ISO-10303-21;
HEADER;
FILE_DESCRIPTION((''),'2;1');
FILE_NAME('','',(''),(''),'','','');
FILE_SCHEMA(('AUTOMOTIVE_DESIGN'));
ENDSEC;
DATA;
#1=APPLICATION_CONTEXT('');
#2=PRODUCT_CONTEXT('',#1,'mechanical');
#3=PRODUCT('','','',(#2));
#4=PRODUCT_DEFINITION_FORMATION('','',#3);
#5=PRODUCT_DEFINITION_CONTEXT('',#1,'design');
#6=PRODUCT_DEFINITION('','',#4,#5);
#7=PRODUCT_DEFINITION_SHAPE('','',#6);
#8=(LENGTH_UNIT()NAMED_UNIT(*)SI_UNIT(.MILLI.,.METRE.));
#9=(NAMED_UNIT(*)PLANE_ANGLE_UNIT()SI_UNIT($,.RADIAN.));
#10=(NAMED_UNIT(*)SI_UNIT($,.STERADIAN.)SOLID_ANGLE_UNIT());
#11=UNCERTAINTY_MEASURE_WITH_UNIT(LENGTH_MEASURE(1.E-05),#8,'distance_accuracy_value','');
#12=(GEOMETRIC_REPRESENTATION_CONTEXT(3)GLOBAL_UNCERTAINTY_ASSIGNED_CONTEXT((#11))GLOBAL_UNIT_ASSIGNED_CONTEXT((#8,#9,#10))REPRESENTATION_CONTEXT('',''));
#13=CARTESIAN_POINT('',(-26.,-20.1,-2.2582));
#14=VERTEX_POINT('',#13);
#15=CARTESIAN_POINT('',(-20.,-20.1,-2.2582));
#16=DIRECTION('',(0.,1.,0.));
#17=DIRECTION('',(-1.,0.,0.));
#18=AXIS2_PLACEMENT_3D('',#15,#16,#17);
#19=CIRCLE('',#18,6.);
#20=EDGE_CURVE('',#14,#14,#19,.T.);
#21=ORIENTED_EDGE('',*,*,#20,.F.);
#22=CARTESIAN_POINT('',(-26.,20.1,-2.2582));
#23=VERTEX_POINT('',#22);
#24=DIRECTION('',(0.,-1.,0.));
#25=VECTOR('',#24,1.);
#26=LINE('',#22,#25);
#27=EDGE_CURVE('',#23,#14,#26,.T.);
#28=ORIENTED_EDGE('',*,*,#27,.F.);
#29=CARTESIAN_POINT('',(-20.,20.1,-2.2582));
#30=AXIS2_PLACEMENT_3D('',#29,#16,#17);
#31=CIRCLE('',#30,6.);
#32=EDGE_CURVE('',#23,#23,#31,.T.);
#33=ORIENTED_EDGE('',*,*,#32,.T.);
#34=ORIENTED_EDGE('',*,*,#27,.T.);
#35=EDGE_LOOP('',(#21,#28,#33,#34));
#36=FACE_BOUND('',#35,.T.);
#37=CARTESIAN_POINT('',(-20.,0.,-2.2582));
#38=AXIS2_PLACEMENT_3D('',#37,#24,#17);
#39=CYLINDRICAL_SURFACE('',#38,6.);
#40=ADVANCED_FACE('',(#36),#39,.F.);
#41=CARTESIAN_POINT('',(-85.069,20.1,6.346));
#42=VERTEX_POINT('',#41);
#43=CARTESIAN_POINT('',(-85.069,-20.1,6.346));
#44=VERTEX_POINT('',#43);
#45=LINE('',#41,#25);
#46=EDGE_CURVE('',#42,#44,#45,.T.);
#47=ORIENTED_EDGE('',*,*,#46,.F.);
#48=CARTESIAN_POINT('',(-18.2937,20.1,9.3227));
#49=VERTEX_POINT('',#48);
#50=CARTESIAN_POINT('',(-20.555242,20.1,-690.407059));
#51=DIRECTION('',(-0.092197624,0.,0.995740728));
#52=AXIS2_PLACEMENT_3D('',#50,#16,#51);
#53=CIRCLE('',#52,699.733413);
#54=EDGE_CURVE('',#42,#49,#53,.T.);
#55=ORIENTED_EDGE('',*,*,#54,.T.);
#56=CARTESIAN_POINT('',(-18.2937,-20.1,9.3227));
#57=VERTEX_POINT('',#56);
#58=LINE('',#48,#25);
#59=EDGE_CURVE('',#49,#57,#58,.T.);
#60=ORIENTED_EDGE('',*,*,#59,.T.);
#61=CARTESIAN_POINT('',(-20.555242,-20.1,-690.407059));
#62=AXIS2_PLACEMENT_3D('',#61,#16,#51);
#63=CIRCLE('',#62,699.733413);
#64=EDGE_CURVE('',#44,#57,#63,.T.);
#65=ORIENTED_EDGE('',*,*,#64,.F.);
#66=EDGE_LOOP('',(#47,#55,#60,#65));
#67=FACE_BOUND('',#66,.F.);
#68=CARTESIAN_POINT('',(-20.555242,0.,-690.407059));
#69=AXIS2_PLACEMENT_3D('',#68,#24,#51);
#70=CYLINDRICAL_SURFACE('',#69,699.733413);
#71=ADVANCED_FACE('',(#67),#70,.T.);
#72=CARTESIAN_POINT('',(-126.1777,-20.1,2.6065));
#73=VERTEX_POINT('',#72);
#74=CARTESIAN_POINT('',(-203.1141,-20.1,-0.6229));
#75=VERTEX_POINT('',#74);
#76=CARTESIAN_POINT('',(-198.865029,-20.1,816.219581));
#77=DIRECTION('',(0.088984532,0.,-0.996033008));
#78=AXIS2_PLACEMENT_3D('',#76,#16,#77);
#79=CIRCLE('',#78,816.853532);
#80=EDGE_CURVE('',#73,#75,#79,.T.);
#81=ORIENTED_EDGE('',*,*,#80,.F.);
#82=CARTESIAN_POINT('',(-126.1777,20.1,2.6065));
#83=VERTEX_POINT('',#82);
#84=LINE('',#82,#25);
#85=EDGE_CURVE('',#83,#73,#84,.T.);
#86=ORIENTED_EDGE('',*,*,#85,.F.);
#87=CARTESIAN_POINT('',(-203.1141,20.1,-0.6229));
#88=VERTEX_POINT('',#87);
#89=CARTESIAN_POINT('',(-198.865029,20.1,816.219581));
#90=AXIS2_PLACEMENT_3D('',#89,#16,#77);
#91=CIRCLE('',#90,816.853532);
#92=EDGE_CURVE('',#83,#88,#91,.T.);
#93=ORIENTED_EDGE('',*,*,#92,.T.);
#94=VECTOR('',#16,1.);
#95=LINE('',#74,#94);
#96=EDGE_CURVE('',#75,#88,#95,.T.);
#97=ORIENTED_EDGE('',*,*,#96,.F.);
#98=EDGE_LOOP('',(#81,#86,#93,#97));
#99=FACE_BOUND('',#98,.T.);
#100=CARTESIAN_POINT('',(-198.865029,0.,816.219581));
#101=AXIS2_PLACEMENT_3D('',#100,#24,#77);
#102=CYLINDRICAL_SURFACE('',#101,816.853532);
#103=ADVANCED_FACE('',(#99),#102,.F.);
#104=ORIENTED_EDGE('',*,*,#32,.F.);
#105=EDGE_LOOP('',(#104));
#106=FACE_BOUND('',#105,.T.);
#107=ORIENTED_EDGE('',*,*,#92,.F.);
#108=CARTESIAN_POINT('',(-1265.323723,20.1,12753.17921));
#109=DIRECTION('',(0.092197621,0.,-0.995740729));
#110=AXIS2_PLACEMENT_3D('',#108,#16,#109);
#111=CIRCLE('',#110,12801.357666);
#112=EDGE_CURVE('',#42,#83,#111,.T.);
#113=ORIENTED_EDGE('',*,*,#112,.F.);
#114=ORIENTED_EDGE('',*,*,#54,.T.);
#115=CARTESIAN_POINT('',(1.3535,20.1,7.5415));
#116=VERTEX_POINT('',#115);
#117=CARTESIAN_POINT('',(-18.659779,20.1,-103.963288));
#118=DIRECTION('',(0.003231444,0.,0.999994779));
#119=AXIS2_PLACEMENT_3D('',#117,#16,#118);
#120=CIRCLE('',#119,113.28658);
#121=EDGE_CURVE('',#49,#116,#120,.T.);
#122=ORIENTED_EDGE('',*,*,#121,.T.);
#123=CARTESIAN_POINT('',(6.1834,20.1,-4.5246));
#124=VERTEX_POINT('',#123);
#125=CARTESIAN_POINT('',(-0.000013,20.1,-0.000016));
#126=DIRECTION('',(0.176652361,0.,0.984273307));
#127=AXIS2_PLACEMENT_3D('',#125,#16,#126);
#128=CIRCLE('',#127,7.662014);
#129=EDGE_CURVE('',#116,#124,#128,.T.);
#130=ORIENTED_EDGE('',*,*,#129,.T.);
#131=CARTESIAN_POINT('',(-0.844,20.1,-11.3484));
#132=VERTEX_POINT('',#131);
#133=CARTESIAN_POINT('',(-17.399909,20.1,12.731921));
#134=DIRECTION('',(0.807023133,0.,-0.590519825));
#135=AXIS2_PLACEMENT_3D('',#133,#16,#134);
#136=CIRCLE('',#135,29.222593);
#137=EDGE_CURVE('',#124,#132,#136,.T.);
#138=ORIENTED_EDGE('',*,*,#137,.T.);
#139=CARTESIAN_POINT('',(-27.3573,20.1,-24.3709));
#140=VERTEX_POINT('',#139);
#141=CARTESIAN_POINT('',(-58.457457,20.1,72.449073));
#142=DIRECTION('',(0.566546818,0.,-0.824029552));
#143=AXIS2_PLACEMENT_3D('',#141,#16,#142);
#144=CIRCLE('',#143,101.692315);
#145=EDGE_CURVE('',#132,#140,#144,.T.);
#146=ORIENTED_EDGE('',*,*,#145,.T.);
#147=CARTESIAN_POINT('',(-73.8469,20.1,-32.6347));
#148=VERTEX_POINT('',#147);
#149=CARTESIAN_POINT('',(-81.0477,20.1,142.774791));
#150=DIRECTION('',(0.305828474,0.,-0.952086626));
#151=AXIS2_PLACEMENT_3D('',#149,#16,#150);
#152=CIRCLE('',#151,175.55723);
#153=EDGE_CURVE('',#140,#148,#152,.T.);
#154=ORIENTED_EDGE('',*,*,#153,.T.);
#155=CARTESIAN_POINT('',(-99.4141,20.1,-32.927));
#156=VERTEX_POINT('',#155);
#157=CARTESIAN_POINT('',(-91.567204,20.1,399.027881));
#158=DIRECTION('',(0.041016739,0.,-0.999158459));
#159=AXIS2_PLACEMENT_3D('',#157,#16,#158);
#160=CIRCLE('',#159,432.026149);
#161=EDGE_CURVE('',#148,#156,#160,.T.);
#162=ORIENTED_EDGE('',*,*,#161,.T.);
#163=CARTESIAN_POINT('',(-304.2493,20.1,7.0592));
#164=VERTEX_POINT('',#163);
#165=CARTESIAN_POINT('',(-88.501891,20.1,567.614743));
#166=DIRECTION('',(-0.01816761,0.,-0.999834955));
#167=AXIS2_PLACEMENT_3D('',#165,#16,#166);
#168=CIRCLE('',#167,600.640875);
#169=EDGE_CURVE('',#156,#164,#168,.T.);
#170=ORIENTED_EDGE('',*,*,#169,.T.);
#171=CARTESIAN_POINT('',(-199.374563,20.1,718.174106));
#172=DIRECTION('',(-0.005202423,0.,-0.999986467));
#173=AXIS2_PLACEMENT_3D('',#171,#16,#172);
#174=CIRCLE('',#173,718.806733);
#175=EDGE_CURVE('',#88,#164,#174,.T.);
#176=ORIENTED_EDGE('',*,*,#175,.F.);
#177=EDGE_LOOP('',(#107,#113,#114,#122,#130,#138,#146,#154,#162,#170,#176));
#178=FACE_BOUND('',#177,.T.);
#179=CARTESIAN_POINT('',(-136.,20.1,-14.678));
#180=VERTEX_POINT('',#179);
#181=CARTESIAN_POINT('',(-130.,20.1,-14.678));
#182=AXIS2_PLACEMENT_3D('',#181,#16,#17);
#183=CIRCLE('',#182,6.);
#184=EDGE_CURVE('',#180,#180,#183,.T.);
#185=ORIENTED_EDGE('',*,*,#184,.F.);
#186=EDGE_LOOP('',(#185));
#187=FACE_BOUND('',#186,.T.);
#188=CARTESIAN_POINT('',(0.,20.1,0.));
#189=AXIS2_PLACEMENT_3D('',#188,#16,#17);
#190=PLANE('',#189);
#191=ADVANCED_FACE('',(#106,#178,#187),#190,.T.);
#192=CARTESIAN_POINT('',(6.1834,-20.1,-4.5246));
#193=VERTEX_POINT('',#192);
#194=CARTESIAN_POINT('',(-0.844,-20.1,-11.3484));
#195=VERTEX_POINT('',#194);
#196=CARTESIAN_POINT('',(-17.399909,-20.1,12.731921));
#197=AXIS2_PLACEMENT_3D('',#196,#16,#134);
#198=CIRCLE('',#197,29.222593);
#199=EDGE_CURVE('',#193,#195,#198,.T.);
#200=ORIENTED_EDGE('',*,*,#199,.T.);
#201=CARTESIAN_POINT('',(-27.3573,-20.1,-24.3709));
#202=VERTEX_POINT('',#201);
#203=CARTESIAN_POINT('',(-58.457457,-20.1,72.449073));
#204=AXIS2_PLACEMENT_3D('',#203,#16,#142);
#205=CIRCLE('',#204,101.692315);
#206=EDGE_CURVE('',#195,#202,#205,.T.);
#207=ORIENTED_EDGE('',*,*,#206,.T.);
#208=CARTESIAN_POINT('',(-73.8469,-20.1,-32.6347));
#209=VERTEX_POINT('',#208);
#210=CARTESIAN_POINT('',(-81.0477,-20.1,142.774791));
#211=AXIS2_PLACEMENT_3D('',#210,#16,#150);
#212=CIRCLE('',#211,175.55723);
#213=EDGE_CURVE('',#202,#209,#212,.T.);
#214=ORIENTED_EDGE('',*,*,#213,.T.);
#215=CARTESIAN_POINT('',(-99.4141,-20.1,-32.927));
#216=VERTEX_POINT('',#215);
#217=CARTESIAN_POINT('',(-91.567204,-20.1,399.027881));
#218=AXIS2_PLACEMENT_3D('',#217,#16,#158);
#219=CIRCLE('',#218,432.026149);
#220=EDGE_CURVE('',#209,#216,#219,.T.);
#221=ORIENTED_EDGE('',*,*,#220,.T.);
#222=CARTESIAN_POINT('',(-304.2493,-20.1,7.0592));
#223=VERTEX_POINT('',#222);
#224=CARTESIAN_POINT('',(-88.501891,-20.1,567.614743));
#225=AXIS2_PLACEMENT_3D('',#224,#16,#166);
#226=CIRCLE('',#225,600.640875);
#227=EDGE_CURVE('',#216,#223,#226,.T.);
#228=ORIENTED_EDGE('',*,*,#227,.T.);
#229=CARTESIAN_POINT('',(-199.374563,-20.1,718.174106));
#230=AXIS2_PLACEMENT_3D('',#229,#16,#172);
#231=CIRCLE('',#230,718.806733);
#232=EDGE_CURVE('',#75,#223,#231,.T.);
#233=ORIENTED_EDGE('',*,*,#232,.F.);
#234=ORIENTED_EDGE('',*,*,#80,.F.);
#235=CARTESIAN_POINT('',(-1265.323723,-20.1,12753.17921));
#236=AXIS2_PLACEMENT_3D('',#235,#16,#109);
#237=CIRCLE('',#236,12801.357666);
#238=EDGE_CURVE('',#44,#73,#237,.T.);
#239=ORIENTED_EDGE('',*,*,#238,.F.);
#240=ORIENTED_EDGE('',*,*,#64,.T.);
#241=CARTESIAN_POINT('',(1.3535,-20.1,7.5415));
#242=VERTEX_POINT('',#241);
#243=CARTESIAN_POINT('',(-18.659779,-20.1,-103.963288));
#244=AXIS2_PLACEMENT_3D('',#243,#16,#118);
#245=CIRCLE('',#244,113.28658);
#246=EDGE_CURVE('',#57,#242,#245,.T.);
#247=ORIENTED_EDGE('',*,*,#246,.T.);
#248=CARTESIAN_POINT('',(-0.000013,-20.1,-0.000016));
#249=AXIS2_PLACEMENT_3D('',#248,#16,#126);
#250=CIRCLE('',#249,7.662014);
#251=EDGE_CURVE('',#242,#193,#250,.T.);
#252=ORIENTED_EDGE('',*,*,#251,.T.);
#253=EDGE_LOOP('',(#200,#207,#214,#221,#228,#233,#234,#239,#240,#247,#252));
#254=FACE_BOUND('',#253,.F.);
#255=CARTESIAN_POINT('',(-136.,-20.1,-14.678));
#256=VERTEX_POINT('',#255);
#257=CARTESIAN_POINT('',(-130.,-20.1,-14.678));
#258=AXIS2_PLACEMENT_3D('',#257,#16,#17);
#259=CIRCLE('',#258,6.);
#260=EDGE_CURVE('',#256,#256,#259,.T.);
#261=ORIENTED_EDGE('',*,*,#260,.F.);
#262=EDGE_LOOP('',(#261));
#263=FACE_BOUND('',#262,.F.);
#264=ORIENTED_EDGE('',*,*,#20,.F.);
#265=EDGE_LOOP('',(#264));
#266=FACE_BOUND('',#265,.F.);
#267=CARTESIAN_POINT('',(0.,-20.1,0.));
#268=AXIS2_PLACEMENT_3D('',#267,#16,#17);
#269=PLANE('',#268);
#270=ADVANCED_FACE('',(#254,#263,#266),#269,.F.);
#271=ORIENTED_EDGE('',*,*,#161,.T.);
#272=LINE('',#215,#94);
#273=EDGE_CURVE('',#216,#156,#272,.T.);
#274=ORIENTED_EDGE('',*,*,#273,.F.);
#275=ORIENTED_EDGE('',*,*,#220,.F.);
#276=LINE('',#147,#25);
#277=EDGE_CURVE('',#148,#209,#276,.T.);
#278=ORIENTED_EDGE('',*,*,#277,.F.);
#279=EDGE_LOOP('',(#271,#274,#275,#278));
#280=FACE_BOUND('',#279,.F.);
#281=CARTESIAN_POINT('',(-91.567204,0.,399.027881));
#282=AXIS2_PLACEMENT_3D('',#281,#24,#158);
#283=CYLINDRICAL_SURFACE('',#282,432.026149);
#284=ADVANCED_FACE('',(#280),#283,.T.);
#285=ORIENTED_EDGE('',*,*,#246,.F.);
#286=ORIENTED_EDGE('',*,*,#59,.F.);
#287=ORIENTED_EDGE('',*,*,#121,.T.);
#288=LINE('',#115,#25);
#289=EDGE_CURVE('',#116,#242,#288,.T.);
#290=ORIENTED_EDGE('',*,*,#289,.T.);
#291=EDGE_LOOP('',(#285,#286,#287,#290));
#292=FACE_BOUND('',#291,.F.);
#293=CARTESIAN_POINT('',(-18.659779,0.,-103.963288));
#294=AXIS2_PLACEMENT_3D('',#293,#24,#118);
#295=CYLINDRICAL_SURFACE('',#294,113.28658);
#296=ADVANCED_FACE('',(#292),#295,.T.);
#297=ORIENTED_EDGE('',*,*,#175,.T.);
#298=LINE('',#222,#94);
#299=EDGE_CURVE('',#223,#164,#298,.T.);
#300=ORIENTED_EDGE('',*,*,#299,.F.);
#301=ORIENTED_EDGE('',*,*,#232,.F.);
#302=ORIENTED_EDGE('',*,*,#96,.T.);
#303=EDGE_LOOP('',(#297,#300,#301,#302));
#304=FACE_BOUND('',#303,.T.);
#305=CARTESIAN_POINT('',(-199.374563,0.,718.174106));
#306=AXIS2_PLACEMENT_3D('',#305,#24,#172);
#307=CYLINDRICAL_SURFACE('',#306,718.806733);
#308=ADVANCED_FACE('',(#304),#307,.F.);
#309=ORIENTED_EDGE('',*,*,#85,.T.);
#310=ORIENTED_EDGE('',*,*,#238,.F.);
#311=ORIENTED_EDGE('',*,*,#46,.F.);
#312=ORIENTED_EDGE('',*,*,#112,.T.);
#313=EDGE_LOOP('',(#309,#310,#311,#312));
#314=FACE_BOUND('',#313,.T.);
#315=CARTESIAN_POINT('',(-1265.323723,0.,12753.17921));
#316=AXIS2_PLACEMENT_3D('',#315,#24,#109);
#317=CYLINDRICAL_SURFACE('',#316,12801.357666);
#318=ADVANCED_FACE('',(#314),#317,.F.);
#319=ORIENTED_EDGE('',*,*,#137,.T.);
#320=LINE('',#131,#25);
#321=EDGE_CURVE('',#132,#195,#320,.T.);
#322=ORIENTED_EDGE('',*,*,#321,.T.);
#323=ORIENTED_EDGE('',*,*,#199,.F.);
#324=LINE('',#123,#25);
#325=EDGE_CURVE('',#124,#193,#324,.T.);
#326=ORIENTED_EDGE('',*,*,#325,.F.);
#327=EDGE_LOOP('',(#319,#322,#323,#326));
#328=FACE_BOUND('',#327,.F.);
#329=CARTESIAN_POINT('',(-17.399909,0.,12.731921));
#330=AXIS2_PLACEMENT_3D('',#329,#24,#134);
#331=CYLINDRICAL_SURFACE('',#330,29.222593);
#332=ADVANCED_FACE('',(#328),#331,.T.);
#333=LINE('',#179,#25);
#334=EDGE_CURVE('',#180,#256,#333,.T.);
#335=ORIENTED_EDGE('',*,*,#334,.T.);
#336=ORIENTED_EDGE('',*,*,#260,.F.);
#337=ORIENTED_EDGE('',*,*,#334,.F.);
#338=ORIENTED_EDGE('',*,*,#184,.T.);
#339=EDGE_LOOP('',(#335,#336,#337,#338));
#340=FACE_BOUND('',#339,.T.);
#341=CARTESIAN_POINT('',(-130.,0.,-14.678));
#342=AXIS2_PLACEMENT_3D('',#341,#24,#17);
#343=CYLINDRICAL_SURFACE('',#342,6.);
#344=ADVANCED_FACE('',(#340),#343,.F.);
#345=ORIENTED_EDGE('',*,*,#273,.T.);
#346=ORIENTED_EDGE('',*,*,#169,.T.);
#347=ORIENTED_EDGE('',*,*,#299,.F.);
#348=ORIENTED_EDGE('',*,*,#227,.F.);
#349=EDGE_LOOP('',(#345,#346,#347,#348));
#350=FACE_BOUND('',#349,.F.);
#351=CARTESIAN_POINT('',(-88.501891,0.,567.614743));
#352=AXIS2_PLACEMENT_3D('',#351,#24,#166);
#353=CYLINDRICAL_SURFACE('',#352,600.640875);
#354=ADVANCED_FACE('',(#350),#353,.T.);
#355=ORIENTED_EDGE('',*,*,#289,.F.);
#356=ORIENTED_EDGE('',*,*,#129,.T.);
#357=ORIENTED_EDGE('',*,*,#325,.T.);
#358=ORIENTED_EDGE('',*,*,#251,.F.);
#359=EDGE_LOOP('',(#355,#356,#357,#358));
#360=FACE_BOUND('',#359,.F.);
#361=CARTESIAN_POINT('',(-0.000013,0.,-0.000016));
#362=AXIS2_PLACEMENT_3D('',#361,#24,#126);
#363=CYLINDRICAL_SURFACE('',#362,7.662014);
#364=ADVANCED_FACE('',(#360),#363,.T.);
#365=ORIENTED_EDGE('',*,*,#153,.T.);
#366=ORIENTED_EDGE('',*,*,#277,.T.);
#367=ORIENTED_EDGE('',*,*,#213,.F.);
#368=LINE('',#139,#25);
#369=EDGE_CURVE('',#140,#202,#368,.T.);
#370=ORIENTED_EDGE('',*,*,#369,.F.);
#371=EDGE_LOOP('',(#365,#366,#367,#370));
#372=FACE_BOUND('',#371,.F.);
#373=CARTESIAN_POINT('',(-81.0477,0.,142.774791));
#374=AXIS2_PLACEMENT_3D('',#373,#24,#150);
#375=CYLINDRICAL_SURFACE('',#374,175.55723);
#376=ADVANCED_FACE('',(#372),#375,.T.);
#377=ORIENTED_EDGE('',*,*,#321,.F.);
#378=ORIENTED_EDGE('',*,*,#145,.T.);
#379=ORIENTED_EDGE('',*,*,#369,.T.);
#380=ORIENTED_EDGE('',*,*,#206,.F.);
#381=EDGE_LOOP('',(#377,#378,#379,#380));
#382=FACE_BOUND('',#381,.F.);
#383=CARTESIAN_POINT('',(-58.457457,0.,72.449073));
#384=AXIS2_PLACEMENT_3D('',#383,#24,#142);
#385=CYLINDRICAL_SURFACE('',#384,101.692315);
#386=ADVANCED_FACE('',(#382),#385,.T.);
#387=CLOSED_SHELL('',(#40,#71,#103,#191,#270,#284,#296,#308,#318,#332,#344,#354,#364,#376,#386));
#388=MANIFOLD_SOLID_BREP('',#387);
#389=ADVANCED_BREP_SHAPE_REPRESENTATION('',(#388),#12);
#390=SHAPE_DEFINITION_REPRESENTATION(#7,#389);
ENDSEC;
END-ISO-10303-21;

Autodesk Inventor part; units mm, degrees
ref_plane "YZ Plane" through (0, 0, 0) normal (1, 0, 0) x (0, 1, 0)
ref_plane "XZ Plane" through (0, 0, 0) normal (0, 1, 0) x (-1, 0, 0)
ref_plane "XY Plane" through (0, 0, 0) normal (0, 0, 1) x (1, 0, 0)
sketch "スケッチ1" plane through (0, 0, 0) normal (0, 1, 0) x (-1, 0, 0)
  arc A0 (99.4141, -32.927) -> (304.2493, 7.0592) centre (88.5018, 567.6156) ccw projected
  arc A1 (73.8469, -32.6347) -> (99.4141, -32.927) centre (91.566, 398.982) ccw projected
  arc A2 (27.3573, -24.3709) -> (73.8469, -32.6347) centre (81.048, 142.776) ccw projected
  arc A3 (0.844, -11.3484) -> (27.3573, -24.3709) centre (58.458, 72.45) ccw projected
  arc A4 (-6.1834, -4.5246) -> (0.844, -11.3484) centre (17.4, 12.732) ccw projected
  arc A5 (-1.3535, 7.5415) -> (-6.1834, -4.5246) centre (0, 0) ccw projected
  arc A6 (18.2937, 9.3227) -> (-1.3535, 7.5415) centre (18.66, -103.968) ccw projected
  arc A7 (85.069, 6.346) -> (18.2937, 9.3227) centre (20.556, -690.396) ccw projected
  arc A8 (85.069, 6.346) -> (126.1777, 2.6065) centre (1264.674, 12746.1) ccw projected
  arc A9 (126.1777, 2.6065) -> (203.1141, -0.6229) centre (198.864, 816.2039) ccw projected
  arc A10 (203.1141, -0.6229) -> (304.2493, 7.0592) centre (199.374, 718.188) ccw projected
  circle A11 centre (20, -2.2582) radius 6 projected
  circle A12 centre (130, -14.678) radius 6 projected
extrude "押し出し2" add sketch "スケッチ1" along normal mid plane 40.2
properties part number "uretan_ms" material "ポリエチレン、高密度"
